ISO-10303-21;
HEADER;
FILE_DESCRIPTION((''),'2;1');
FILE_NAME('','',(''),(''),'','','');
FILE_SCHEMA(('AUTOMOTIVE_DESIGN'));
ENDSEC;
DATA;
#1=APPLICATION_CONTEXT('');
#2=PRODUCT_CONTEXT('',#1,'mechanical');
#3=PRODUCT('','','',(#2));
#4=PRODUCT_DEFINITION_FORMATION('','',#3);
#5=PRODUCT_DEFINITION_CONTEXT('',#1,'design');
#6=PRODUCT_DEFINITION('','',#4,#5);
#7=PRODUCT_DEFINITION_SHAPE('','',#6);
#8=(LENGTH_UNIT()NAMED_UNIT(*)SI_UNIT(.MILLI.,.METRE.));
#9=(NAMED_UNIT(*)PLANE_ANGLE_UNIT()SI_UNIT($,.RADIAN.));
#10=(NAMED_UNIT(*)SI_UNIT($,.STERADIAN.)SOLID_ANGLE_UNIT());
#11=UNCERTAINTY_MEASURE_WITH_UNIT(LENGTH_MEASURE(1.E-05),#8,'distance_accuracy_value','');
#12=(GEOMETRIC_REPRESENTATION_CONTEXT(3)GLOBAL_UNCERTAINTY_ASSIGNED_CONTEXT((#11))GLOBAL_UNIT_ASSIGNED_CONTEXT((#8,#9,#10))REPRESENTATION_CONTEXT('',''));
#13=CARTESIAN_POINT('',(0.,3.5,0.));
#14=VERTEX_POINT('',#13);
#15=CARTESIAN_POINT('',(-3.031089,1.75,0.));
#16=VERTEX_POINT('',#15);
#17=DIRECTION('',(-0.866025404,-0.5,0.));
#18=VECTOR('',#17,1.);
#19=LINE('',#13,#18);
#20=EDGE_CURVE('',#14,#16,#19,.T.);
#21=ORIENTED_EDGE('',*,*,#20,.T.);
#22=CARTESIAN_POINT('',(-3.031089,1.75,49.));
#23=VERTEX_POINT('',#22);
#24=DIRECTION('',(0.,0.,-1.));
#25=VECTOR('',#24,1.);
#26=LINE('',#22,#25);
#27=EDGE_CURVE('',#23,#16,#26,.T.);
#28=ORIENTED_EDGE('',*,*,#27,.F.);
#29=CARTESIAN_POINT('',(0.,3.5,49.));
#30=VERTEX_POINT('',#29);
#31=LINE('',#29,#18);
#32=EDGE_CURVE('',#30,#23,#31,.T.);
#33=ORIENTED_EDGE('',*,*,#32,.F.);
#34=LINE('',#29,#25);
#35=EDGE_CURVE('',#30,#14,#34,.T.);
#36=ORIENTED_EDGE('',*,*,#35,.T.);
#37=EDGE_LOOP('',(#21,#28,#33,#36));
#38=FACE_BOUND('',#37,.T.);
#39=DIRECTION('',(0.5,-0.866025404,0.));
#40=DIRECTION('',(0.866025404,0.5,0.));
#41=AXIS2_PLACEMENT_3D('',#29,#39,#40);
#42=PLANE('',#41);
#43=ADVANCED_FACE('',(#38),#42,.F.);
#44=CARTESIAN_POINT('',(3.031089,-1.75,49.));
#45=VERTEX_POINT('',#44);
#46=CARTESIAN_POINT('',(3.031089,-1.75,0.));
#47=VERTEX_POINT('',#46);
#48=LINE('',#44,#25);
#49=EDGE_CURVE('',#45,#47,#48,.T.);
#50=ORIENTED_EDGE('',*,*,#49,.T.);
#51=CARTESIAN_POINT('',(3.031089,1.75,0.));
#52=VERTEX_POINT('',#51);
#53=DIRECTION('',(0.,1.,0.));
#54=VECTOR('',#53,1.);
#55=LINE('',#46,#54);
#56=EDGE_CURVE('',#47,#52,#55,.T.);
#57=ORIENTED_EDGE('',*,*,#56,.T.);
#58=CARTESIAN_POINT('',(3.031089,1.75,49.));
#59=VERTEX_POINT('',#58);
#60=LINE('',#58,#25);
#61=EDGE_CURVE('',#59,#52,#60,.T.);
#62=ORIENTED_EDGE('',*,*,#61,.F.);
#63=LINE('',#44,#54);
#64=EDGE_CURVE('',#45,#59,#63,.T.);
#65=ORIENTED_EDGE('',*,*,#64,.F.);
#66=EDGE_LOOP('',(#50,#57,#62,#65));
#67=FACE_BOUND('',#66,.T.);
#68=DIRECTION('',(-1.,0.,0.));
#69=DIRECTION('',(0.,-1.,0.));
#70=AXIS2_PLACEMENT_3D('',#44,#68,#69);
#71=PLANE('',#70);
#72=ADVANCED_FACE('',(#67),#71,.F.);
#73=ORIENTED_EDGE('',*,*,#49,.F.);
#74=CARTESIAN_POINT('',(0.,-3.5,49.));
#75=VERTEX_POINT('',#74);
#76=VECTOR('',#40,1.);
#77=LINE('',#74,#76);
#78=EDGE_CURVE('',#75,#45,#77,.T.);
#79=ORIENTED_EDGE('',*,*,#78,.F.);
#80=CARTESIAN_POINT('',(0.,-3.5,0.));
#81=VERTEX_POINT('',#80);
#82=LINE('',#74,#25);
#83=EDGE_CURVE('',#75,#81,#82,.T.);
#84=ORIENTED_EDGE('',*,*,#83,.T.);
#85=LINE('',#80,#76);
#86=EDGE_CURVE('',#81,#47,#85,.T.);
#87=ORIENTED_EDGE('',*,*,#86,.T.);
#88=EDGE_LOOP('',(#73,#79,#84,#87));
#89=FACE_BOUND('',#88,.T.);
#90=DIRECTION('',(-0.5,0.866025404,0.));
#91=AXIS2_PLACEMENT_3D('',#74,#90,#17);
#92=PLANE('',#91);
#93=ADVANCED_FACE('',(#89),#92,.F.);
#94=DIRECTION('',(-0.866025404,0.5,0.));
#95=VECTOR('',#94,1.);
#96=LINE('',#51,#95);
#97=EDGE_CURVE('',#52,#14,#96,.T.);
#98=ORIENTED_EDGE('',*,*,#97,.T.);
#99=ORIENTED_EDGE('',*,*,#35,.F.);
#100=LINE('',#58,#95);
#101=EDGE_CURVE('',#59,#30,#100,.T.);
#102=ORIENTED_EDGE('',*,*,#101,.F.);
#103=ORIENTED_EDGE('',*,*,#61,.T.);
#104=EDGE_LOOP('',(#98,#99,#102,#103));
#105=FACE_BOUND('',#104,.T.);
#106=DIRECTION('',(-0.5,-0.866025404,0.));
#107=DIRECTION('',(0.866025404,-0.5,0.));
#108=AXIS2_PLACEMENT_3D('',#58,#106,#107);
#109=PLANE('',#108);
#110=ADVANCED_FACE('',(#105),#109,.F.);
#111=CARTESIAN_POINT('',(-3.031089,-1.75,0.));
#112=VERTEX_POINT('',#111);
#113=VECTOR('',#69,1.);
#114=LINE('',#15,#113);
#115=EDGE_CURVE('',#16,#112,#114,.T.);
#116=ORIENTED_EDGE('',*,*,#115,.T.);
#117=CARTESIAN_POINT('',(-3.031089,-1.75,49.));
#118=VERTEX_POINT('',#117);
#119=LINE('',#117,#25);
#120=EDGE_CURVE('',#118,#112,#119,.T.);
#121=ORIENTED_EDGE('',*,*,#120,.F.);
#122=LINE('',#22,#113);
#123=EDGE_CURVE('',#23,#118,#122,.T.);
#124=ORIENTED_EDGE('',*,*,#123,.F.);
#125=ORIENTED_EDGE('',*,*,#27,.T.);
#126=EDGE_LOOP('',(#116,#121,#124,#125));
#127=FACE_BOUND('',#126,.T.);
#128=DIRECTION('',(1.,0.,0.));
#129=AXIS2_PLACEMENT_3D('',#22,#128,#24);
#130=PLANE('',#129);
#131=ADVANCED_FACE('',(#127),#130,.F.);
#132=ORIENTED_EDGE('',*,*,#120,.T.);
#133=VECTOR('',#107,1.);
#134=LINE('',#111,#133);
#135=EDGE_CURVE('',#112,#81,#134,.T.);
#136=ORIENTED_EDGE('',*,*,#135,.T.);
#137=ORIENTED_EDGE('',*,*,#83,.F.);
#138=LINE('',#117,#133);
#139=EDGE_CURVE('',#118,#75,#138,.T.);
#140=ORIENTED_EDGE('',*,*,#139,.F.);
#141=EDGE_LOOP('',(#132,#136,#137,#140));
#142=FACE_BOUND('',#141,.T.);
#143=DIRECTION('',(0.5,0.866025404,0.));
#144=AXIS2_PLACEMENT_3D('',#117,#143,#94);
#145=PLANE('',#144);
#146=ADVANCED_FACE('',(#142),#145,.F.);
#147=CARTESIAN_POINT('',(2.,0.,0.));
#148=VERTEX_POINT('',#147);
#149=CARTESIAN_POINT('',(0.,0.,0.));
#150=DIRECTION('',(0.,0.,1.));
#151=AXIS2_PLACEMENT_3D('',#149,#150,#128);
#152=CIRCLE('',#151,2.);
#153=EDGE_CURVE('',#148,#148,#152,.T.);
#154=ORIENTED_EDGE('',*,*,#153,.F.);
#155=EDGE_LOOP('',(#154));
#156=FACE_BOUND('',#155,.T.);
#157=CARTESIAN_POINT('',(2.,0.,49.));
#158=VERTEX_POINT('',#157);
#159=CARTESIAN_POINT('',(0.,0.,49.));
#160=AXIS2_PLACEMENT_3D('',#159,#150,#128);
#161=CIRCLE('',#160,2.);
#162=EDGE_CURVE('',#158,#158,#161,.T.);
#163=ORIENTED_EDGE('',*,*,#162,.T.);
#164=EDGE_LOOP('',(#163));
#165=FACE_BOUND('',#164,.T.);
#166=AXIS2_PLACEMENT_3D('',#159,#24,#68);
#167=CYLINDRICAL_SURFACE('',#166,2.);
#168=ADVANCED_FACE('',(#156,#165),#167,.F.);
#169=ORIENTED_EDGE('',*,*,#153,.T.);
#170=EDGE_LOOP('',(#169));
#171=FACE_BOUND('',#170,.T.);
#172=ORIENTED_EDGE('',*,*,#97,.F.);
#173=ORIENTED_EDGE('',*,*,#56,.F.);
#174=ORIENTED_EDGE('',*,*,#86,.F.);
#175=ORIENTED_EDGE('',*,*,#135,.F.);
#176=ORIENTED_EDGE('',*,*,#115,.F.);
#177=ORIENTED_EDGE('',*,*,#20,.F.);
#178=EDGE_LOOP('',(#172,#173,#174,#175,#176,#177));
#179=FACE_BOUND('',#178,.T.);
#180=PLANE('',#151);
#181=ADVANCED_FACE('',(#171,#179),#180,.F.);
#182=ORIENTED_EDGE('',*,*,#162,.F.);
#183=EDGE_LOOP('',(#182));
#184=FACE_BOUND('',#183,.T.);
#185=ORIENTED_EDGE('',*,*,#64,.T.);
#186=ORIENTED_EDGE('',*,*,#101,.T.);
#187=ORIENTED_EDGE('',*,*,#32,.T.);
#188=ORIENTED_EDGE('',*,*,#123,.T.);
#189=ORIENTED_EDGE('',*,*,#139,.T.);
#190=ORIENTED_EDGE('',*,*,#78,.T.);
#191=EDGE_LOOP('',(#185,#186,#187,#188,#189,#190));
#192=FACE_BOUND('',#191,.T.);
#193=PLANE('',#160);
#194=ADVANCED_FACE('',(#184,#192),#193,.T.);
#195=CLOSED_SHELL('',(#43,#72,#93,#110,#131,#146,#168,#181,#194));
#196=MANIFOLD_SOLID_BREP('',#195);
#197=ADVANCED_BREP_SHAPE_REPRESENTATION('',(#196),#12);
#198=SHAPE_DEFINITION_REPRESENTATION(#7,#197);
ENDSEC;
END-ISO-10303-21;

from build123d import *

# Parameters (mm, degrees)
ESQUISSE1_R        = 2
BOSS_EXTRU_1_DEPTH = 49


with BuildPart() as part:
    # Esquisse1 → Boss.-Extru.1 (new body)
    with BuildSketch(Plane.XY):
        Polygon((3.031088913, -1.75), (3.031088913, 1.75), (0, 3.5), (-3.031088913, 1.75), (-3.031088913, -1.75), (0, -3.5), align=None)
        Circle(ESQUISSE1_R, mode=Mode.SUBTRACT)
    extrude(amount=BOSS_EXTRU_1_DEPTH)


solid = part.part
